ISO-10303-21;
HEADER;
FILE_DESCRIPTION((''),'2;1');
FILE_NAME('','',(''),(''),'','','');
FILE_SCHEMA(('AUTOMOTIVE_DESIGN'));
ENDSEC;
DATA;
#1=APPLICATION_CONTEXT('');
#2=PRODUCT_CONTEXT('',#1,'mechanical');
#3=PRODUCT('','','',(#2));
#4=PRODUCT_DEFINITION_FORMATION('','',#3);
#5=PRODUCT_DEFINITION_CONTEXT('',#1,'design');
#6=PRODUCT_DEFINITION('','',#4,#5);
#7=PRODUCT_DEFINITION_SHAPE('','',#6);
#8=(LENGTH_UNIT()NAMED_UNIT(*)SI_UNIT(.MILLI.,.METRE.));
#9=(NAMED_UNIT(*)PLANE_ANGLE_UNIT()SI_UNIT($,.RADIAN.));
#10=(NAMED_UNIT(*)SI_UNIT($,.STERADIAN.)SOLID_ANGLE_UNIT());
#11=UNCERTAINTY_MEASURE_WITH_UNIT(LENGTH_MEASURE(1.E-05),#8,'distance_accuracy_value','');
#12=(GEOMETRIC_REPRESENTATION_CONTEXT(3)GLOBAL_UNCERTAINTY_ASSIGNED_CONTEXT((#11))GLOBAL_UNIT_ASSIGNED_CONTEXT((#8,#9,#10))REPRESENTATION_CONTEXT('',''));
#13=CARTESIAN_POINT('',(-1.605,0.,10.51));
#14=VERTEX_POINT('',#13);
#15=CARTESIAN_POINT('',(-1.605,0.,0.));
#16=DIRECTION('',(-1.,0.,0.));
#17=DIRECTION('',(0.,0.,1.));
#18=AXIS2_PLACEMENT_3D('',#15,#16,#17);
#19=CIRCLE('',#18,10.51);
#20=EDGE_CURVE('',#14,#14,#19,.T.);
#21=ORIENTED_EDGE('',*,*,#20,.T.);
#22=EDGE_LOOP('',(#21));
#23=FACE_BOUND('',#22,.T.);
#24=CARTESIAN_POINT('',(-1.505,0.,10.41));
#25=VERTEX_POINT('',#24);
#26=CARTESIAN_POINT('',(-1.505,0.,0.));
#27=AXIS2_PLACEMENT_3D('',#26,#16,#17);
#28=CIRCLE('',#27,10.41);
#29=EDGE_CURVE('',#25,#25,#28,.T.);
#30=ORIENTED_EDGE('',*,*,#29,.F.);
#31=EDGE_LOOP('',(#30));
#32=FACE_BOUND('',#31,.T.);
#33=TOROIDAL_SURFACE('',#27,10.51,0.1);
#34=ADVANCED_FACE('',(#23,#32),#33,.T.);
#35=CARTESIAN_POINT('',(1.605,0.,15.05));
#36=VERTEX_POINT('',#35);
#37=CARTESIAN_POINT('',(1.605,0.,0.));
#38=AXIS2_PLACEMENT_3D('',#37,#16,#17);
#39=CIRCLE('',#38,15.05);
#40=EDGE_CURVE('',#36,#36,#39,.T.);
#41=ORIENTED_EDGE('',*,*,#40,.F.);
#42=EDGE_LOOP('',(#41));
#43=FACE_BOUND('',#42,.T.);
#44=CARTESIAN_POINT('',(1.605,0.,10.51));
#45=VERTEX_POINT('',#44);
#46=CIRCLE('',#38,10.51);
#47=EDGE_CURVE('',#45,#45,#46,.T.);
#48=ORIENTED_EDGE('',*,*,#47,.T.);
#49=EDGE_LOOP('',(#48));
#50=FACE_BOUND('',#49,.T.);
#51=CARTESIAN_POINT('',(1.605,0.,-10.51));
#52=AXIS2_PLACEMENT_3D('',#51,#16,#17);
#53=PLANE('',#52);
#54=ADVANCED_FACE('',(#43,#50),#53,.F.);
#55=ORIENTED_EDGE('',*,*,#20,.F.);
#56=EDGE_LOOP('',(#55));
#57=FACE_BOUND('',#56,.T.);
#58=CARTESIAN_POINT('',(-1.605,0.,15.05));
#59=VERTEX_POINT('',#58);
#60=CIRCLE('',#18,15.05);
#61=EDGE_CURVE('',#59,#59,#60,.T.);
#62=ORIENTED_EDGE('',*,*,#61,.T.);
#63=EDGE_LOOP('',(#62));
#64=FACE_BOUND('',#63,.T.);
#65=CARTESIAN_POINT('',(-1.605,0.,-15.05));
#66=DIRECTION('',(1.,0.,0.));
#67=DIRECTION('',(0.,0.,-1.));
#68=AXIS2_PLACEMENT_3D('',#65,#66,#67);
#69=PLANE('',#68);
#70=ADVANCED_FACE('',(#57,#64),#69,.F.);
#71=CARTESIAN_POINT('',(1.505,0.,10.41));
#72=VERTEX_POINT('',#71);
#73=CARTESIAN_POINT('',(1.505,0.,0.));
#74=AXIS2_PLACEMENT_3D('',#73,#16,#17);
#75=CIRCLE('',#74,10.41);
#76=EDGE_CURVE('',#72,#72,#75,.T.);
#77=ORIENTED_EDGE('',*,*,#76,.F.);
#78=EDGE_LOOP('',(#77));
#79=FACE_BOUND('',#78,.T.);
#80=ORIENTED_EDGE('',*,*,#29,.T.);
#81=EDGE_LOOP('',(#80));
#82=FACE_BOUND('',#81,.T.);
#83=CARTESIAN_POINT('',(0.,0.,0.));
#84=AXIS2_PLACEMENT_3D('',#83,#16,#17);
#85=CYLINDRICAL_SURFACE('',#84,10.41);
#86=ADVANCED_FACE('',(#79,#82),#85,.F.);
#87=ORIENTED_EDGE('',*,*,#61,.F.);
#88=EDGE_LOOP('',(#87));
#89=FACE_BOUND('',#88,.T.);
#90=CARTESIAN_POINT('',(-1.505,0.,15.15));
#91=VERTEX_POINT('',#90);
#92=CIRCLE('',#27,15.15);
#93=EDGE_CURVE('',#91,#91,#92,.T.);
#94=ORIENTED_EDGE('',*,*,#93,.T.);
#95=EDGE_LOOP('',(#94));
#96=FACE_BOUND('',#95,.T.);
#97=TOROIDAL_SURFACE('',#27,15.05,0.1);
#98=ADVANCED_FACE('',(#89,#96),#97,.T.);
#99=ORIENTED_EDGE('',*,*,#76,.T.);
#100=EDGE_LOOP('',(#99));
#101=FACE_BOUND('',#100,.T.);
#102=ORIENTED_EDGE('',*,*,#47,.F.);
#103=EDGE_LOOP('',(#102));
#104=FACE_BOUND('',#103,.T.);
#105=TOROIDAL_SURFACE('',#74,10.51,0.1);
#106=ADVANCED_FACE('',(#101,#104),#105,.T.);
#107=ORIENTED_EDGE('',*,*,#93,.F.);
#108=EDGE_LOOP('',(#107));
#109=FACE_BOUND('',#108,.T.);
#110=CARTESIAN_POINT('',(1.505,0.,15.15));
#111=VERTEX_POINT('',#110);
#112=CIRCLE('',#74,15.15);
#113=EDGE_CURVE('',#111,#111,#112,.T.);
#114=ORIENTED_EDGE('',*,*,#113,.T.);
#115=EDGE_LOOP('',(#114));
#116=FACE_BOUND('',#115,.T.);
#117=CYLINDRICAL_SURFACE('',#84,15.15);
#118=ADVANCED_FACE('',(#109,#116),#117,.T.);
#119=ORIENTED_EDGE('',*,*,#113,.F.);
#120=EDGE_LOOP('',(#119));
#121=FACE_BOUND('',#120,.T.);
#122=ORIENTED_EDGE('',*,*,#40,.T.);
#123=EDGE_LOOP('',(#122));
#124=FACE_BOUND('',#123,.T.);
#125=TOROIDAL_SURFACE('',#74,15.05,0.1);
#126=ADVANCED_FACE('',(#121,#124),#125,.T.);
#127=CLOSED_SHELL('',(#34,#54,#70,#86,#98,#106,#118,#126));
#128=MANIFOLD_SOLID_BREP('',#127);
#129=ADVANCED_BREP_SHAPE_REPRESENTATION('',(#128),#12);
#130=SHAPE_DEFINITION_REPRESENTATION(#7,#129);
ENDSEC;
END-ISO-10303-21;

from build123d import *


with BuildPart() as part:
    # Croquis1 → Revolución1 (revolve)
    with BuildSketch(Plane(origin=(0, 0, 0), x_dir=(1, 0, 0), z_dir=(0, 1, 0)), mode=Mode.PRIVATE) as revoluci_n1_sk:
        with BuildLine():
            Line((0, 10.41), (1.505, 10.41))
            ThreePointArc((1.505, 10.41), (1.575710678, 10.439289322), (1.605, 10.51))
            Line((1.605, 10.51), (1.605, 15.05))
            ThreePointArc((1.605, 15.05), (1.575710678, 15.120710678), (1.505, 15.15))
            Line((1.505, 15.15), (-1.505, 15.15))
            ThreePointArc((-1.505, 15.15), (-1.575710678, 15.120710678), (-1.605, 15.05))
            Line((-1.605, 15.05), (-1.605, 10.51))
            ThreePointArc((-1.605, 10.51), (-1.575710678, 10.439289322), (-1.505, 10.41))
            Line((-1.505, 10.41), (0, 10.41))
        make_face()
    revolve(revoluci_n1_sk.sketch.rotate(Axis((0, 0, 0), (1, 0, 0)), 180), axis=Axis((0, 0, 0), (1, 0, 0)))


solid = part.part
